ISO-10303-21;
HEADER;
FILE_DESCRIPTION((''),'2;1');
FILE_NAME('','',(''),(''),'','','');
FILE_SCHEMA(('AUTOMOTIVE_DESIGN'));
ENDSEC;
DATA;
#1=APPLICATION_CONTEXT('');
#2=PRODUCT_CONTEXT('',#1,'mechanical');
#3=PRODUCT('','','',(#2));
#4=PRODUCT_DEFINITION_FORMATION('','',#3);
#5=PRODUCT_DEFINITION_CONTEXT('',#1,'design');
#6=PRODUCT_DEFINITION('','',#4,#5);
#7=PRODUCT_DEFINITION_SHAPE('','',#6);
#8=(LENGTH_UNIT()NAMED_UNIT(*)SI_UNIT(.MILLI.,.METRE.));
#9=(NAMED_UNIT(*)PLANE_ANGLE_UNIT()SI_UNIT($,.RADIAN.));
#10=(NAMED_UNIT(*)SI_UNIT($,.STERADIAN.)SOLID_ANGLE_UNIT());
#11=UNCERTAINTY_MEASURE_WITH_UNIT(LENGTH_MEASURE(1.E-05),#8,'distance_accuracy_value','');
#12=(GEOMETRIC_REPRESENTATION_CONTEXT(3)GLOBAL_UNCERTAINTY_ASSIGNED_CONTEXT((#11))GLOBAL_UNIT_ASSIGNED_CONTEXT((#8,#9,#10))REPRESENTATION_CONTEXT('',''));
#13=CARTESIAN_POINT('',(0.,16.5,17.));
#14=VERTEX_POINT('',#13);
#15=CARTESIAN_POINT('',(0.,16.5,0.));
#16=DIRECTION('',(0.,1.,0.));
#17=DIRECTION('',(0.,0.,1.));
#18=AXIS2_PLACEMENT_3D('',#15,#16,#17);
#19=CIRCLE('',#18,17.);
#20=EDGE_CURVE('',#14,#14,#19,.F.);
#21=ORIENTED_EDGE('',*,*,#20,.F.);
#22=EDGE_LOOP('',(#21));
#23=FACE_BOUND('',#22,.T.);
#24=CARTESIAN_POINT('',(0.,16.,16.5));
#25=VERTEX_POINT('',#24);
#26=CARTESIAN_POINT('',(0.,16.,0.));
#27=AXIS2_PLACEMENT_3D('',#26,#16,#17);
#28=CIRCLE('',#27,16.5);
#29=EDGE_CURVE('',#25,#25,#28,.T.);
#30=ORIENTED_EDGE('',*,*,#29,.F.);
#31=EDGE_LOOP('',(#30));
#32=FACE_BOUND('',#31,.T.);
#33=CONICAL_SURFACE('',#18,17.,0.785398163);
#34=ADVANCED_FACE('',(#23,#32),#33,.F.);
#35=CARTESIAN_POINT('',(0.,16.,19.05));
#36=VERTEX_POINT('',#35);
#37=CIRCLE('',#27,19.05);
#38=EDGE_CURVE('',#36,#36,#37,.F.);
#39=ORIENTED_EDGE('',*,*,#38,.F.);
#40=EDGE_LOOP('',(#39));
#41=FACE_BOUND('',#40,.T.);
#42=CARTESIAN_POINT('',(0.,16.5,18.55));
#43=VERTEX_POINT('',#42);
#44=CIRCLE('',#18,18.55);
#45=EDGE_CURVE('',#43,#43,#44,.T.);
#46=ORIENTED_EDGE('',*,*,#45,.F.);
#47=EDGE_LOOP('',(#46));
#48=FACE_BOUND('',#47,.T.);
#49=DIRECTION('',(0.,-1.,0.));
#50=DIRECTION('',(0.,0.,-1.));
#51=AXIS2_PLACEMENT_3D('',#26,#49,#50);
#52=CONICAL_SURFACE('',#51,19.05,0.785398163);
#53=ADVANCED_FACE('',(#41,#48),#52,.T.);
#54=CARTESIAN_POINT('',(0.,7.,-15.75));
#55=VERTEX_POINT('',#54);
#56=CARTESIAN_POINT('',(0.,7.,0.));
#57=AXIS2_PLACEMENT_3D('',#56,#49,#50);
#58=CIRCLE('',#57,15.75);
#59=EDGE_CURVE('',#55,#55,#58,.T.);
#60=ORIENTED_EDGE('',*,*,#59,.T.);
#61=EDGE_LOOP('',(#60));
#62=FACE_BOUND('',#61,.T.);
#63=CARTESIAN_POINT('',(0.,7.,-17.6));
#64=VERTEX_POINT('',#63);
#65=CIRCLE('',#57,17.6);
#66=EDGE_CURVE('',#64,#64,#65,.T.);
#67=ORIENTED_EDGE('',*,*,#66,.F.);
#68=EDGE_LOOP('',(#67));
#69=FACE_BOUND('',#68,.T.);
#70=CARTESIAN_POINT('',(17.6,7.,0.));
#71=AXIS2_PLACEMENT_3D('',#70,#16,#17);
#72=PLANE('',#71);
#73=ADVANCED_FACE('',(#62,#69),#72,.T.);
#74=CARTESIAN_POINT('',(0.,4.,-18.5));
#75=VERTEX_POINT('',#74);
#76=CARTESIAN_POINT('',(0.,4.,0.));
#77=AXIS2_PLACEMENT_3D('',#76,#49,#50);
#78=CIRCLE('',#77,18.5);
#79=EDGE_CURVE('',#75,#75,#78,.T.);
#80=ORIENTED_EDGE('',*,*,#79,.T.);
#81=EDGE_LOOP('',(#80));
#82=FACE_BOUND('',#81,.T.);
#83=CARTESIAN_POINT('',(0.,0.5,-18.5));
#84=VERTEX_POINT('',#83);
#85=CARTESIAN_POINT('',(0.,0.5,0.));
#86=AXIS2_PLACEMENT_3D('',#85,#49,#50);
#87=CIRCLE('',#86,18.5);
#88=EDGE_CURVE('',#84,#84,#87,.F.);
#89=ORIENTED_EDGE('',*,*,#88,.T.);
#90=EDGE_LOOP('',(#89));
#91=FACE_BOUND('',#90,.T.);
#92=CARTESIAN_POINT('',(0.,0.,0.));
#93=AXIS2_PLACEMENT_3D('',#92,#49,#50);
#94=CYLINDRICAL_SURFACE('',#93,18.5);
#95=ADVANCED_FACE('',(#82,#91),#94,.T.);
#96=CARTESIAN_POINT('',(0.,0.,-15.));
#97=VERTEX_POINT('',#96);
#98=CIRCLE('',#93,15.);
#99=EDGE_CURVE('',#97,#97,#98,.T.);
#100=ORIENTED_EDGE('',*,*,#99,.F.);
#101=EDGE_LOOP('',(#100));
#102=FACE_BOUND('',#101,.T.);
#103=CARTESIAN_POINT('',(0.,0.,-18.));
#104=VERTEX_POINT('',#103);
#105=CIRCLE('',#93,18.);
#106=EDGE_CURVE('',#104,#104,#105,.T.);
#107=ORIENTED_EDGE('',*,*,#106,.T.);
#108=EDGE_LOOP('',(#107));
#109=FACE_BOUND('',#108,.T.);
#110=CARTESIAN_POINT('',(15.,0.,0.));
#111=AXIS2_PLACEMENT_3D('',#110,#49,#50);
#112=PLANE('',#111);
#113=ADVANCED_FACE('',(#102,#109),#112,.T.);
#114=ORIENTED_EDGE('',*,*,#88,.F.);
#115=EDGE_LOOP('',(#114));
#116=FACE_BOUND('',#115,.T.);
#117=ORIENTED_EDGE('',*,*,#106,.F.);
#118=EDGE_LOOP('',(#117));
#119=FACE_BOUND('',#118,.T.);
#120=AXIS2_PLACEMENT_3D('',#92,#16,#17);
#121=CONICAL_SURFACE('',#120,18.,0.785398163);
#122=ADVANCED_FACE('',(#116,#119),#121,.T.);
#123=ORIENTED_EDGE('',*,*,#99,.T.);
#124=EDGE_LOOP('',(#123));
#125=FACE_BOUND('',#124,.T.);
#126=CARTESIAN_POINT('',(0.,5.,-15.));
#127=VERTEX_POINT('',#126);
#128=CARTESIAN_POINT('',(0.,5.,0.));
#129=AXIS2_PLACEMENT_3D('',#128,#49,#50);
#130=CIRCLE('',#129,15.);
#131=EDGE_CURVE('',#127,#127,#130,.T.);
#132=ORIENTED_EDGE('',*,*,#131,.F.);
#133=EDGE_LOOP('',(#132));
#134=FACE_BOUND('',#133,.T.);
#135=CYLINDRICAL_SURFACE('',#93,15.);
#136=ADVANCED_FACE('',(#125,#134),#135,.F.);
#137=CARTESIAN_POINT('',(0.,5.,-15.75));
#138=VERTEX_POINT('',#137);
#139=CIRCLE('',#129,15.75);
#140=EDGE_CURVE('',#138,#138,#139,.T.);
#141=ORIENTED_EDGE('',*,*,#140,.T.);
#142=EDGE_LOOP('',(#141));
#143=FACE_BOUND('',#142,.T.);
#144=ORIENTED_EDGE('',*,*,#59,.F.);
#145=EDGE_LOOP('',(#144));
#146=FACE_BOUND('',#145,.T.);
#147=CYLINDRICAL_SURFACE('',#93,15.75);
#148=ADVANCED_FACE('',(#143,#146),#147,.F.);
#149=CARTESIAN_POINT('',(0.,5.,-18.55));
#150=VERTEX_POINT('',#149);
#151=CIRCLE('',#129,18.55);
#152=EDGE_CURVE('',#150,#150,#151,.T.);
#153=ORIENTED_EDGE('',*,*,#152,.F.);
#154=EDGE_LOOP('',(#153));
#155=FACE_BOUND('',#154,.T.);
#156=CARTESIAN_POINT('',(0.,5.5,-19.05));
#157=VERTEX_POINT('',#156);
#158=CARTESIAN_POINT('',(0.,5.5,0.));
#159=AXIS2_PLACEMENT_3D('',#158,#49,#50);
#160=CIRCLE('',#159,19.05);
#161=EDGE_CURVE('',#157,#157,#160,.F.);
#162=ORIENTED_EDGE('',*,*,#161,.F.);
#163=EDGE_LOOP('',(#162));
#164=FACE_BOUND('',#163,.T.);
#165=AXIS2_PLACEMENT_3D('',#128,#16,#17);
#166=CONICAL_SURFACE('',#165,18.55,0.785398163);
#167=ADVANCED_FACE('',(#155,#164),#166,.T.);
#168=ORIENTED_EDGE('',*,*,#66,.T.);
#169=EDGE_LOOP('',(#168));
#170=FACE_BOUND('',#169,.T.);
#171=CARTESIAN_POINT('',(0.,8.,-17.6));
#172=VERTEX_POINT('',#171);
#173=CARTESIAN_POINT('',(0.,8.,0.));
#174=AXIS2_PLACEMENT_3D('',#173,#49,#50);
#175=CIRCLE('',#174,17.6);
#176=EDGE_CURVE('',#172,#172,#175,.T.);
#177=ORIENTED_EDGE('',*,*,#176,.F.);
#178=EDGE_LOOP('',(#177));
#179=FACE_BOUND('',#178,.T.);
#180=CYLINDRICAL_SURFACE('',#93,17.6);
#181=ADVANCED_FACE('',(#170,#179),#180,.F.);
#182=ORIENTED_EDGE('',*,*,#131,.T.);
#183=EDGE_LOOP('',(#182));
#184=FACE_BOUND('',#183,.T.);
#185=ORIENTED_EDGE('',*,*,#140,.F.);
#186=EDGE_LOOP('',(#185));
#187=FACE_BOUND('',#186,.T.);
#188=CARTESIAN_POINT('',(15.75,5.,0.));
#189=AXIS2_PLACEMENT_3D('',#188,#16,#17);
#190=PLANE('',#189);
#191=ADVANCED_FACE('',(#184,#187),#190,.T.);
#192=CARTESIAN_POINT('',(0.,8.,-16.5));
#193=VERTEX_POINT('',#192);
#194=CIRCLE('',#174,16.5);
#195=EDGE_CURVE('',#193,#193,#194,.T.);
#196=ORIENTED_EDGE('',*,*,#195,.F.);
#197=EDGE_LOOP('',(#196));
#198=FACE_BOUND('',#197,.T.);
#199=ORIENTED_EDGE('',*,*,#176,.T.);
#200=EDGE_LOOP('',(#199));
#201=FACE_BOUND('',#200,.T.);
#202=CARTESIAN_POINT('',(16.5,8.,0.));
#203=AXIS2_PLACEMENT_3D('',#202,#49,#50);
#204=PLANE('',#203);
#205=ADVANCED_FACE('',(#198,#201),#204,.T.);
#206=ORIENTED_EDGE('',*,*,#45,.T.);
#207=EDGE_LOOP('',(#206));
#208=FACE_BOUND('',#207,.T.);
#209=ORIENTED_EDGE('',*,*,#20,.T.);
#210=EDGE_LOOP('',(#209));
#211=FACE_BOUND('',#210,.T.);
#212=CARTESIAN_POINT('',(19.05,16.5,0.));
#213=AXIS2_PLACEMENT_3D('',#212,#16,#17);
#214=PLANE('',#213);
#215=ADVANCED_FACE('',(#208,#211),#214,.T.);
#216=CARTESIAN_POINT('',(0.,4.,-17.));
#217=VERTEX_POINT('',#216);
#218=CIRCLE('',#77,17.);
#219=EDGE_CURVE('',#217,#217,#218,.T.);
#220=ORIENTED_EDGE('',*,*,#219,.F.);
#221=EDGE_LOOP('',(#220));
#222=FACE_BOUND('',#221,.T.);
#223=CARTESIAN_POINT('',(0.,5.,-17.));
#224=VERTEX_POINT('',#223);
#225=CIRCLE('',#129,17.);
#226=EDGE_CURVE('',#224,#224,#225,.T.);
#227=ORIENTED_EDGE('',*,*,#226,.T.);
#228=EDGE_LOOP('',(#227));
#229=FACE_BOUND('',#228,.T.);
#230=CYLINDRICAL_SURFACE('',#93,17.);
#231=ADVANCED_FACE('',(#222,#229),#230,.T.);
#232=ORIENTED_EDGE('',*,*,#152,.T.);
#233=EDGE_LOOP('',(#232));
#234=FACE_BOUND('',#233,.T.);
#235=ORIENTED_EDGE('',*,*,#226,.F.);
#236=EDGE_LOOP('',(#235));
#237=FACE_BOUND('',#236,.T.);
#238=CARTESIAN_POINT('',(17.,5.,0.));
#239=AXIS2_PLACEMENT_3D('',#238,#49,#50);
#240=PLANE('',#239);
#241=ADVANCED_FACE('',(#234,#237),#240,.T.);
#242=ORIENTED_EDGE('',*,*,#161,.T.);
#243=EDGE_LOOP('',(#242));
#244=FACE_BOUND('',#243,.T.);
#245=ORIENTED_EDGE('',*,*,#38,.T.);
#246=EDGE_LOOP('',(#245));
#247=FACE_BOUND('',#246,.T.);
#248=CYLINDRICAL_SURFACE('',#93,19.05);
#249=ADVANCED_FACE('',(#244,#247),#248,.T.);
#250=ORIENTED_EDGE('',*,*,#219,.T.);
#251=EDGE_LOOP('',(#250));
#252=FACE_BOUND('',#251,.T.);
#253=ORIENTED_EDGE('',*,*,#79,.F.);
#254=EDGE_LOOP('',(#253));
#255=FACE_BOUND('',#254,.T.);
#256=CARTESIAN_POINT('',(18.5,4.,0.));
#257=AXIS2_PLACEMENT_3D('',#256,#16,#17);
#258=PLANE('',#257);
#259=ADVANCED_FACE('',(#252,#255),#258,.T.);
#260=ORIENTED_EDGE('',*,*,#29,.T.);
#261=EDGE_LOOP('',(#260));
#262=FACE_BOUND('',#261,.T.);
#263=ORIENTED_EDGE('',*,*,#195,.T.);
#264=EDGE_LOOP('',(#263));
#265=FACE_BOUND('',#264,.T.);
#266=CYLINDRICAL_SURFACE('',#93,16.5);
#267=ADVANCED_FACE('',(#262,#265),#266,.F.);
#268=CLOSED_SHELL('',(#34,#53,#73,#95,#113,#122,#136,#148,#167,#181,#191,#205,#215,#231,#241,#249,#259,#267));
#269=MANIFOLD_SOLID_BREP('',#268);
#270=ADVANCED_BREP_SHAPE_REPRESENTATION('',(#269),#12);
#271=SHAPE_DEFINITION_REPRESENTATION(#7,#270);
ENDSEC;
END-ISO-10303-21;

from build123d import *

# Parameters (mm, degrees)
CHAMFER_1_SIZE = 0.5


with BuildPart() as part:
    # 草图1 → 旋转1 (revolve)
    with BuildSketch(Plane.XY, mode=Mode.PRIVATE) as revolve_1_sk:
        Polygon((15, 0), (18.5, 0), (18.5, 4), (17, 4), (17, 5), (19.05, 5), (19.05, 16.5), (16.5, 16.5), (16.5, 8), (17.6, 8), (17.6, 7), (15.75, 7), (15.75, 5), (15, 5), align=None)
    revolve(revolve_1_sk.sketch.rotate(Axis((0, 0, 0), (0, 1, 0)), 90), axis=Axis((0, 0, 0), (0, 1, 0)))  # turned: the seam where the file's is

    # 倒角1
    chamfer_1_edges = [part.edges().sort_by_distance(p)[0] for p in [
        (0, 16.5, 16.5),
        (0, 16.5, 19.05),
        (0, 5, 19.05),
        (0, 0, 18.5),
    ]]
    chamfer(chamfer_1_edges, length=CHAMFER_1_SIZE)


solid = part.part
